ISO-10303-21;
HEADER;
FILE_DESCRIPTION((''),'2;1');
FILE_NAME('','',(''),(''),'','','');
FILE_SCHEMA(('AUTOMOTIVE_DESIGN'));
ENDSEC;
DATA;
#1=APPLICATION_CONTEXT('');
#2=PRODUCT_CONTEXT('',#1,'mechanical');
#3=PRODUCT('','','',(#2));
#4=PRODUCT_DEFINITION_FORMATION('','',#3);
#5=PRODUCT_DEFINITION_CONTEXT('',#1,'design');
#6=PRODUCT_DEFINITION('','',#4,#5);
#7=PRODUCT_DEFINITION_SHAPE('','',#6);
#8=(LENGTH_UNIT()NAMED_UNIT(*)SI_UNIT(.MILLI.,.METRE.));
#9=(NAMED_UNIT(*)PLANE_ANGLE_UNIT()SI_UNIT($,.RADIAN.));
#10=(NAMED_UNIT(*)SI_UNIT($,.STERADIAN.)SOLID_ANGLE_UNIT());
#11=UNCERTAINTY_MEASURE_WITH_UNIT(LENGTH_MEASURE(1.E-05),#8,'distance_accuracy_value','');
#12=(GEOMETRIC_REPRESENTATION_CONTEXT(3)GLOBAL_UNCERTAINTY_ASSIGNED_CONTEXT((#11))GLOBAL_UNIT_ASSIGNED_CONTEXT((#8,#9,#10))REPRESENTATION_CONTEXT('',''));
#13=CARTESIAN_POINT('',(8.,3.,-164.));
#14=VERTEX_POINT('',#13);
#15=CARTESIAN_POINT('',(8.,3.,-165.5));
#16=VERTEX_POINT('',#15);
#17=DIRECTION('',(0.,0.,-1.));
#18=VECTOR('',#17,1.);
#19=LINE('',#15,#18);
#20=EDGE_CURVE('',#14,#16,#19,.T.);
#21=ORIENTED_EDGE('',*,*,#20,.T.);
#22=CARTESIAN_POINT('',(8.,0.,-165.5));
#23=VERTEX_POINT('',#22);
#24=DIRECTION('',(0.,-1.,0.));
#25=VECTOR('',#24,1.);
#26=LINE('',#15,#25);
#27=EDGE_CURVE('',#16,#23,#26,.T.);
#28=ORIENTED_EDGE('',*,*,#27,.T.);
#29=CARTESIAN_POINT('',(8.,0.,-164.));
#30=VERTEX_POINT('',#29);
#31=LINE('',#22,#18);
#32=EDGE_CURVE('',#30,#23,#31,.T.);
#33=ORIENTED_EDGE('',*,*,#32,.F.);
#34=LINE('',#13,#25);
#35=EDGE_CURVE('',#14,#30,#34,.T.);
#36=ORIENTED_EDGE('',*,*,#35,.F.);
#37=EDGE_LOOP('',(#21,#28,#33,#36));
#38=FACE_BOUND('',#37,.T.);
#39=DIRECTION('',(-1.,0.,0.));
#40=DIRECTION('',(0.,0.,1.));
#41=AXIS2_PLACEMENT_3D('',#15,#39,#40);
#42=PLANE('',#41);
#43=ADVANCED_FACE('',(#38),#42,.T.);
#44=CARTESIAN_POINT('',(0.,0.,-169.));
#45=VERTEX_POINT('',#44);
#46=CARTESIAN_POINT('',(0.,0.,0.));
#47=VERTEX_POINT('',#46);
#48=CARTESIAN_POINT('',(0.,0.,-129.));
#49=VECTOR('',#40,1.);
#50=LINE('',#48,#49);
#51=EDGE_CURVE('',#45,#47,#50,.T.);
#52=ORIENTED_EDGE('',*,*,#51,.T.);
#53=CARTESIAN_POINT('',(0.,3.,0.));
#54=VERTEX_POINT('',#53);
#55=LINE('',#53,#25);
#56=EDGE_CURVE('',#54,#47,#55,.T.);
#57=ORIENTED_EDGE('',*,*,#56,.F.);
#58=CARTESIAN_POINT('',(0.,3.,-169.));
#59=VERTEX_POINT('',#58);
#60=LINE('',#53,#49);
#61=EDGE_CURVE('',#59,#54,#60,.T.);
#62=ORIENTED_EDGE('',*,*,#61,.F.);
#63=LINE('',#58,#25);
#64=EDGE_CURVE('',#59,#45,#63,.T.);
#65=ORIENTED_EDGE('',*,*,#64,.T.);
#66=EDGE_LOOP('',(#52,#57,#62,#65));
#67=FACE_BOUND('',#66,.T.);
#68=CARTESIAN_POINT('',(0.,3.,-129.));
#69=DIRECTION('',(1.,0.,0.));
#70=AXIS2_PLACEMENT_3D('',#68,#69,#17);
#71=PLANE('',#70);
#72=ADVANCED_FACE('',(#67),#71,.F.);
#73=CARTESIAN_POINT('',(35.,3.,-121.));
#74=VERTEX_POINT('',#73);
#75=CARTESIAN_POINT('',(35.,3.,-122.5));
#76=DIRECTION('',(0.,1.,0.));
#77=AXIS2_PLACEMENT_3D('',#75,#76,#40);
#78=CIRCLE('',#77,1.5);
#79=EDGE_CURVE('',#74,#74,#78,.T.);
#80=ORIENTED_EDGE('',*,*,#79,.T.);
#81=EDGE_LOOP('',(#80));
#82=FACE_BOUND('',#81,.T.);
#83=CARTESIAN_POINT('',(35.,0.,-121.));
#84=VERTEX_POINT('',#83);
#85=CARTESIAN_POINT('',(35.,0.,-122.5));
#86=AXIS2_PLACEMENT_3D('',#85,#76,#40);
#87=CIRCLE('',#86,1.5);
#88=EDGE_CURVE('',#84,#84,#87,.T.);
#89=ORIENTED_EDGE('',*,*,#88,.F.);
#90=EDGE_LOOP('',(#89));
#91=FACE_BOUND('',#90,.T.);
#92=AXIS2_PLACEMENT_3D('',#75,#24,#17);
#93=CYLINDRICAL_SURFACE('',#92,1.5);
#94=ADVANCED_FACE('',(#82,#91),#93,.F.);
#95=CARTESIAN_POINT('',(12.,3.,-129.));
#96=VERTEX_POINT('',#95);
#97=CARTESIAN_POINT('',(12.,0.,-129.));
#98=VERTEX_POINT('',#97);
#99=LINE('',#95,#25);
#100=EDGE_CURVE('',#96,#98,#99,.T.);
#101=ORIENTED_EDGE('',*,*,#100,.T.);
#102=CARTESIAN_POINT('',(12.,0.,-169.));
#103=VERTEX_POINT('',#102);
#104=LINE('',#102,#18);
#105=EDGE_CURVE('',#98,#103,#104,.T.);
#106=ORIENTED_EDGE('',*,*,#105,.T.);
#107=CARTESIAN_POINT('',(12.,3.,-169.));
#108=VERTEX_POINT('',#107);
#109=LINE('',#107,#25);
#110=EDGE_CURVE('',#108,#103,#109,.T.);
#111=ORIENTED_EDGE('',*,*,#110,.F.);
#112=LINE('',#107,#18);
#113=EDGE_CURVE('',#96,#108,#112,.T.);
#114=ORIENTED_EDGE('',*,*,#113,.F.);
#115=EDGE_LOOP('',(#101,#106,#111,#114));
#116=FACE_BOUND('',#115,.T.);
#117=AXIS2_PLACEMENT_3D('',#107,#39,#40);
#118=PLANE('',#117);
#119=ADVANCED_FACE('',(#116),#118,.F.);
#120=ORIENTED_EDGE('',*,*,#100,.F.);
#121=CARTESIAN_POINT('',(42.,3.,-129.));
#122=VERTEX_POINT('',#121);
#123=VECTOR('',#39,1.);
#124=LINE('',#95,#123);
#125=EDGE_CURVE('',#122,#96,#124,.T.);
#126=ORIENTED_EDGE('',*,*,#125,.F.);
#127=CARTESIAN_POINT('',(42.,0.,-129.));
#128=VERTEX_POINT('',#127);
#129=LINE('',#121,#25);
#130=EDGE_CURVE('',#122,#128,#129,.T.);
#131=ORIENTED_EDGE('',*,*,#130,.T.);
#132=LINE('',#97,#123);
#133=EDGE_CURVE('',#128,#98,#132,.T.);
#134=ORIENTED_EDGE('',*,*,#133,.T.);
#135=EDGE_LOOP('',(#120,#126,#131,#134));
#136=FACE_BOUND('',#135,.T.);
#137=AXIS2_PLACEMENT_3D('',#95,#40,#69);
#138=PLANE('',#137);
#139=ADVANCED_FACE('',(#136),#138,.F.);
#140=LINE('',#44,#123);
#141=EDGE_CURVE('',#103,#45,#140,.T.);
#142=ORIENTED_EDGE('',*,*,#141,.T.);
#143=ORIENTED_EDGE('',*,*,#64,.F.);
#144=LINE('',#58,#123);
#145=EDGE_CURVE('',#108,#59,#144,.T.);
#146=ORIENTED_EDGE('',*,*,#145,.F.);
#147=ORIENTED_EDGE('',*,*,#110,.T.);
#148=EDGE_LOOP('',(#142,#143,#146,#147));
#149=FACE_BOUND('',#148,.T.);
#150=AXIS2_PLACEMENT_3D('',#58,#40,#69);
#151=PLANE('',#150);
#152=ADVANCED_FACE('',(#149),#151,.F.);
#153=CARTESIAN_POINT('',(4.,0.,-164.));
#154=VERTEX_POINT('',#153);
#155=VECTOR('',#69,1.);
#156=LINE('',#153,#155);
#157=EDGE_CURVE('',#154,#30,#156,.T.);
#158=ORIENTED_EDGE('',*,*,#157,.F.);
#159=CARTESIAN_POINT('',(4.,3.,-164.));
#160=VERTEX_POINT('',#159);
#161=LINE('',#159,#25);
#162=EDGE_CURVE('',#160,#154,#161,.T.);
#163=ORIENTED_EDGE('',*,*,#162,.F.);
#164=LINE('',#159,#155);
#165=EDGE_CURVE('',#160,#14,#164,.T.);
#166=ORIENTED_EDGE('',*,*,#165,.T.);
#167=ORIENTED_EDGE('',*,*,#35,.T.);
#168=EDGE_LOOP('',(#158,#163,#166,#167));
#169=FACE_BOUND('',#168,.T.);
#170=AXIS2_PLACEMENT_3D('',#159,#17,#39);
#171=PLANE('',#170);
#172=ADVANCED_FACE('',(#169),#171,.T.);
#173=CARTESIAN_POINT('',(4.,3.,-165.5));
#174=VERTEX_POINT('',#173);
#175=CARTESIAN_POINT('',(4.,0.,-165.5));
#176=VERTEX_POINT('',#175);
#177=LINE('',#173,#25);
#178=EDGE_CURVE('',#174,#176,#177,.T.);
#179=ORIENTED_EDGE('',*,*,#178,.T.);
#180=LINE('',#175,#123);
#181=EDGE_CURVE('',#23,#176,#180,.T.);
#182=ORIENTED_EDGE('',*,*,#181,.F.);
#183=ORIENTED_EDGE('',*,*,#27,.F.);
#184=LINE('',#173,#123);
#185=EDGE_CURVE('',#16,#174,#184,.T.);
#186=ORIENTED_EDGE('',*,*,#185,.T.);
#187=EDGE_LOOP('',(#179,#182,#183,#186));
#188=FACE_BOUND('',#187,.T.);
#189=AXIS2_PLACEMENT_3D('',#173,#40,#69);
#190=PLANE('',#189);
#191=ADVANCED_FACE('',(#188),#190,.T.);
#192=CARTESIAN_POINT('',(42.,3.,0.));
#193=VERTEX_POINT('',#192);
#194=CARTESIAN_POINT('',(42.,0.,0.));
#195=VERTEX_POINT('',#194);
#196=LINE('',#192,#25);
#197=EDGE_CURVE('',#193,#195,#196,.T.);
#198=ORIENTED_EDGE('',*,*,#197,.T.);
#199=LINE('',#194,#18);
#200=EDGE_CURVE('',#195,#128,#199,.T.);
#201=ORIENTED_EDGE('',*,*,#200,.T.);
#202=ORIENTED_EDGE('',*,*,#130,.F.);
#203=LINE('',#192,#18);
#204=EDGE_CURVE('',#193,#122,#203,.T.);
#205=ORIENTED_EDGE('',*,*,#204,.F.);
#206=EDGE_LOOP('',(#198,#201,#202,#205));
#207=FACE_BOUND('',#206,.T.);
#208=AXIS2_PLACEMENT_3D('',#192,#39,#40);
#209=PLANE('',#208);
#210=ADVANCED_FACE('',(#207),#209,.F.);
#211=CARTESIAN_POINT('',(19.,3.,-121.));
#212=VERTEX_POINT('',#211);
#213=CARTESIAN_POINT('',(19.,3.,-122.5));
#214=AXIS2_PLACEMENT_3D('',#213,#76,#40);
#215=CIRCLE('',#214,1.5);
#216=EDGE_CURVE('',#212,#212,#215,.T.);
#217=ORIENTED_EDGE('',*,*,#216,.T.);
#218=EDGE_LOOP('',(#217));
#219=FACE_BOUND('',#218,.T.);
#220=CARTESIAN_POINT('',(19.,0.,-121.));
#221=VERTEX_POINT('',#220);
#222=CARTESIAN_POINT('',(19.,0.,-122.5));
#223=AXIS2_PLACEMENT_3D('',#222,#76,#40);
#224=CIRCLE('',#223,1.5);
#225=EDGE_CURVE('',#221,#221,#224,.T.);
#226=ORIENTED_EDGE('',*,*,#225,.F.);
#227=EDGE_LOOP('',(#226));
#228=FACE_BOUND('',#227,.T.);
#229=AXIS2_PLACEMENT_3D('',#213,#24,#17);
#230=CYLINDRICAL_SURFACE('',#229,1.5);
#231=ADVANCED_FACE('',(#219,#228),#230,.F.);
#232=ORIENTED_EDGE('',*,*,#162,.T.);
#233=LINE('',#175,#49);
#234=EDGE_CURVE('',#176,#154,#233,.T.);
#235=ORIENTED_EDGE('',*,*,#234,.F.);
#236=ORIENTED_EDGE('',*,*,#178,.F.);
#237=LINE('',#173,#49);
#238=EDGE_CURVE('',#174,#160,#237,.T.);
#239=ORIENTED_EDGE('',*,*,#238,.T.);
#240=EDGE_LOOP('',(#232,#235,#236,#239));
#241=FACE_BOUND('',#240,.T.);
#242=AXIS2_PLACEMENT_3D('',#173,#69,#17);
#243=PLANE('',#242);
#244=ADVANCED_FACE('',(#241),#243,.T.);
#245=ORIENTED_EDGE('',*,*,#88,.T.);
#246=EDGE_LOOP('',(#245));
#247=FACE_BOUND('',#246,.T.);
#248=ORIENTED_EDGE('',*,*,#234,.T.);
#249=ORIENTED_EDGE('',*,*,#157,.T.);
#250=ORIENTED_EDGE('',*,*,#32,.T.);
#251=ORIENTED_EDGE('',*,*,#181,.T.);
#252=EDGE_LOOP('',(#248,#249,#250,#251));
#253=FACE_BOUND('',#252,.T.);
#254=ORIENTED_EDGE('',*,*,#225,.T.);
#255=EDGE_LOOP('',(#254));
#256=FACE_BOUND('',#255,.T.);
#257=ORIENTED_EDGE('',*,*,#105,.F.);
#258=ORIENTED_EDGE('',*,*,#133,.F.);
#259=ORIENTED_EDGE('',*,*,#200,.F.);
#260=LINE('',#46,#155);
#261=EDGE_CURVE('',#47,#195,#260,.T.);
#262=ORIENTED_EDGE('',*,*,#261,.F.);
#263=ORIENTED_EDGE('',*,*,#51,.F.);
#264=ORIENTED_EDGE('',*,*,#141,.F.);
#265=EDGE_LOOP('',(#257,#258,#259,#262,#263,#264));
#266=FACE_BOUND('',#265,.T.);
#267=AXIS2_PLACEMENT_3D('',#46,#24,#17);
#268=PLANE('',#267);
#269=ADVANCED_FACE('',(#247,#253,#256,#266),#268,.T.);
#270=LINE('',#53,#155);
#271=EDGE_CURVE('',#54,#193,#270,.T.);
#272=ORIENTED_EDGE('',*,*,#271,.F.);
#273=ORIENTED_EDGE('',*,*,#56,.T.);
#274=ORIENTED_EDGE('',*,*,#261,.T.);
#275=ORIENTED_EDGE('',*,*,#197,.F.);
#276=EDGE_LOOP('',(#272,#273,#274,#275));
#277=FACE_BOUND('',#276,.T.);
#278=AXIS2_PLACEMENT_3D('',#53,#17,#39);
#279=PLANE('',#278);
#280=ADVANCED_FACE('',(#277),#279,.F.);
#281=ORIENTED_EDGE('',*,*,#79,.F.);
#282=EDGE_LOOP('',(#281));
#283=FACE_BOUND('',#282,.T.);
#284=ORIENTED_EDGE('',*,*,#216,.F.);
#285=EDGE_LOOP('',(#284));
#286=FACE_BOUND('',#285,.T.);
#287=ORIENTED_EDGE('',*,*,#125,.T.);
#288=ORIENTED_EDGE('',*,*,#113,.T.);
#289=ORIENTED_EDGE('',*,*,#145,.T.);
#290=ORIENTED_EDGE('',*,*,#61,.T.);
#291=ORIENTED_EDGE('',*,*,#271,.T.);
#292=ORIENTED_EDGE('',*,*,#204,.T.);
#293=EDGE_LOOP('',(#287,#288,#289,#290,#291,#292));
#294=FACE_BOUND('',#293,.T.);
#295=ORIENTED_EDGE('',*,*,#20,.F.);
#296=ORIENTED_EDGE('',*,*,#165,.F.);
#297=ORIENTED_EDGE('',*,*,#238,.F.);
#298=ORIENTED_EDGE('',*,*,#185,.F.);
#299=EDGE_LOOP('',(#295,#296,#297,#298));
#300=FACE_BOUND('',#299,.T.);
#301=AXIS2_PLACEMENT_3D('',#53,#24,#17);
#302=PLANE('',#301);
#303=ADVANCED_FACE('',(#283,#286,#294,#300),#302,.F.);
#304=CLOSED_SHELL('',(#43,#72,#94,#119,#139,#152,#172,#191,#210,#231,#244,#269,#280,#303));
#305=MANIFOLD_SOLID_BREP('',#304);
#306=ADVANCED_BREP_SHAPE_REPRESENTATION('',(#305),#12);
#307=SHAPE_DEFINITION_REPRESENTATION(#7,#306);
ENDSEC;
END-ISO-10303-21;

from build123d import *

# Parameters (mm, degrees)
SKETCH1_R           = 1.5
SKETCH1_W           = 4
SKETCH1_H           = 1.5
BOSS_EXTRUDE1_DEPTH = 3


with BuildPart() as part:
    # Sketch1 → Boss-Extrude1 (new body)
    with BuildSketch(Plane(origin=(0, 0, 0), x_dir=(1, 0, 0), z_dir=(0, 1, 0))):
        Polygon((0, 129), (0, 169), (12, 169), (12, 129), (42, 129), (42, 0), (0, 0), align=None)
        with Locations(Location((19, 122.5, 0), (0, 0, 270))):
            Circle(SKETCH1_R, mode=Mode.SUBTRACT)
        with Locations(Location((35, 122.5, 0), (0, 0, 270))):
            Circle(SKETCH1_R, mode=Mode.SUBTRACT)
        with Locations((6, 164.75)):
            Rectangle(SKETCH1_W, SKETCH1_H, mode=Mode.SUBTRACT)
    extrude(amount=BOSS_EXTRUDE1_DEPTH)


solid = part.part
